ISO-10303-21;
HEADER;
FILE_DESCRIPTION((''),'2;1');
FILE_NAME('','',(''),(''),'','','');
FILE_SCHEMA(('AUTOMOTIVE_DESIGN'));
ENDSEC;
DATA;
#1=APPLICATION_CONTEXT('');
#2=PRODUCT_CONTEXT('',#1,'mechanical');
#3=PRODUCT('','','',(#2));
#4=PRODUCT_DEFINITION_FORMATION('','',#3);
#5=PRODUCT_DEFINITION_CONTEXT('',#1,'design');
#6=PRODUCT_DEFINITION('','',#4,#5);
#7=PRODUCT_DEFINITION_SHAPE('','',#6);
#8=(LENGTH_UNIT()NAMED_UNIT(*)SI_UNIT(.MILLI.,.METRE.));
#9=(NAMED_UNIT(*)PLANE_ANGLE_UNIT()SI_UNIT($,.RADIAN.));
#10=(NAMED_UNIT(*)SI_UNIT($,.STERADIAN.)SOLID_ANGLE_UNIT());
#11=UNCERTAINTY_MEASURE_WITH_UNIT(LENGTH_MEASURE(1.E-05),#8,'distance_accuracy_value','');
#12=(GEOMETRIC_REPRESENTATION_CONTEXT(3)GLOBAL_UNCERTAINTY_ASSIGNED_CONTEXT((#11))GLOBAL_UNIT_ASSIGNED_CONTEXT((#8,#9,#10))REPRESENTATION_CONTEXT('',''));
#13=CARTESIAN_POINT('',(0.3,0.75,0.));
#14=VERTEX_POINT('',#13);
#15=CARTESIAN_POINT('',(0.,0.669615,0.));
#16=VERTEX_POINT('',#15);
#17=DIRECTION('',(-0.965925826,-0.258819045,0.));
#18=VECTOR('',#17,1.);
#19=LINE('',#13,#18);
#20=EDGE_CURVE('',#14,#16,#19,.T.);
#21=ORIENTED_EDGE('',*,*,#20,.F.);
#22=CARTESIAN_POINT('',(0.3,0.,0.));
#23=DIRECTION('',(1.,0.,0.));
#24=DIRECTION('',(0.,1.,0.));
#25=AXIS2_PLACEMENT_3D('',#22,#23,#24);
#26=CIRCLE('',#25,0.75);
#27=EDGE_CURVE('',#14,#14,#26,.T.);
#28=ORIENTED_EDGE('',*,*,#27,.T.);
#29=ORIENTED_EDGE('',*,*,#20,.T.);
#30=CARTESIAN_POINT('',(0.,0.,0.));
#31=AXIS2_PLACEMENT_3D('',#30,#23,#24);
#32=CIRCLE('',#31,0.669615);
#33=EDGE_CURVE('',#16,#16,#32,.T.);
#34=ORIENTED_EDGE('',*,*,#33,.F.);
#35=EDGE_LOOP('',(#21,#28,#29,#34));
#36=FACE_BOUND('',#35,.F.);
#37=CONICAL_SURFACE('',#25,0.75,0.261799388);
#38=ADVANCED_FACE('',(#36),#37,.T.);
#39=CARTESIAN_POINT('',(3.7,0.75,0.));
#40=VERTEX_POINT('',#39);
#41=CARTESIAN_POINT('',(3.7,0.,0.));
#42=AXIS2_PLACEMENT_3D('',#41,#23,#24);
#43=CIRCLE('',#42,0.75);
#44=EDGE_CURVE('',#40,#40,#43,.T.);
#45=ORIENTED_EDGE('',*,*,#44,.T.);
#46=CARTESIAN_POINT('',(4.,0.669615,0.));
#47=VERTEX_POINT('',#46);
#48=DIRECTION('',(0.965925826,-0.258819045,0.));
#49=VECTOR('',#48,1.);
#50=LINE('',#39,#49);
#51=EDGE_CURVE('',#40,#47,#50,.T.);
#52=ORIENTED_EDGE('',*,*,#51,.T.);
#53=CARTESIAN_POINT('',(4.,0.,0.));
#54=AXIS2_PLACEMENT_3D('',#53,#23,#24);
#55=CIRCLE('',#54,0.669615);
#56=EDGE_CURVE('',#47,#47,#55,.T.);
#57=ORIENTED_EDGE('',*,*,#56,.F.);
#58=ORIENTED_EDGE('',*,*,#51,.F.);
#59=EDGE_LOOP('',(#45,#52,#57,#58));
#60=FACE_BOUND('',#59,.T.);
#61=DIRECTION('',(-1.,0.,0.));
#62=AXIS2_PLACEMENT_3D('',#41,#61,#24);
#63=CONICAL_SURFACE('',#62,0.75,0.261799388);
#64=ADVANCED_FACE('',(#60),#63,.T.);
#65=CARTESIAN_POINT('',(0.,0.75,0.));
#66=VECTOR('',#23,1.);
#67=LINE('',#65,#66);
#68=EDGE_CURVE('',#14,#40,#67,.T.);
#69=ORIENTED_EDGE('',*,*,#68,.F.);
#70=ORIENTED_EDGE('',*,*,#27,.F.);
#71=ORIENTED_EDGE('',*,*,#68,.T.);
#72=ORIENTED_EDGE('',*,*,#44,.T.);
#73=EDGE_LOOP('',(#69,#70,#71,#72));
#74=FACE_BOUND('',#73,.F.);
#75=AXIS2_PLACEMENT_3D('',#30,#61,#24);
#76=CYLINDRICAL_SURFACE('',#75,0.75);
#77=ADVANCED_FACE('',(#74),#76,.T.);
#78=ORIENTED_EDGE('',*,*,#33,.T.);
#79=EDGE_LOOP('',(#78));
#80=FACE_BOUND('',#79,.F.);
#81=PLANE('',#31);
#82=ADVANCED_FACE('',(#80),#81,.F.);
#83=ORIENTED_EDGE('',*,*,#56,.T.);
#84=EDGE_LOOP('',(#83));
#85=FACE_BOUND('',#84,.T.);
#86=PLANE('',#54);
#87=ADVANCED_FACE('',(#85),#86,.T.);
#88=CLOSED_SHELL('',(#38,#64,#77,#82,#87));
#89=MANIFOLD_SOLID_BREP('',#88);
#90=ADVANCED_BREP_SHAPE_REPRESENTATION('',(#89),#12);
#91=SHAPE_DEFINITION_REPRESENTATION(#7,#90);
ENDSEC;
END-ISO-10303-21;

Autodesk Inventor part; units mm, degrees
ref_plane "YZ Plane" through (0, 0, 0) normal (1, 0, 0) x (0, 1, 0)
ref_plane "XZ Plane" through (0, 0, 0) normal (0, 1, 0) x (-1, 0, 0)
ref_plane "XY Plane" through (0, 0, 0) normal (0, 0, 1) x (1, 0, 0)
sketch "Skizze" plane through (0, 0, 0) normal (1, 0, 0) x (0, 1, 0)
  circle A0 centre (0, 0) radius 0.75
  dimension "d1" = 1.5
extrude "Körper" add sketch "Skizze" along normal blind 4
chamfer "Fase1" distance 0.3 angle 15 1 edges at (0, -0.75, 0) measured on face at (2.6667, 0.7476, -0.0603)
chamfer "Skizze2" distance 0.3 angle 15 1 edges at (4, -0.75, 0) measured on face at (2.7667, 0.7476, -0.0603)
equation "\"d1\" = NND"
equation "\"d2\" = NLG"
equation "\"d8\" = PHH"
equation "\"d9\" = FAWI"
equation "\"d12\" = PHH"
equation "\"d4\" = PHH"
equation "\"d5\" = FAWI"
equation "\"d11\" = PHH"
equation "\"NND\" = 1.5"
equation "\"NLG\" = 4"
equation "\"PHH\" = 0.3"
equation "\"FAWI\" = 15deg"
equation "\"KAH\" = 0"
properties part number "ISO 2338 - 1,5 m6 x 4" material "Edelstahl, austenitisch"
